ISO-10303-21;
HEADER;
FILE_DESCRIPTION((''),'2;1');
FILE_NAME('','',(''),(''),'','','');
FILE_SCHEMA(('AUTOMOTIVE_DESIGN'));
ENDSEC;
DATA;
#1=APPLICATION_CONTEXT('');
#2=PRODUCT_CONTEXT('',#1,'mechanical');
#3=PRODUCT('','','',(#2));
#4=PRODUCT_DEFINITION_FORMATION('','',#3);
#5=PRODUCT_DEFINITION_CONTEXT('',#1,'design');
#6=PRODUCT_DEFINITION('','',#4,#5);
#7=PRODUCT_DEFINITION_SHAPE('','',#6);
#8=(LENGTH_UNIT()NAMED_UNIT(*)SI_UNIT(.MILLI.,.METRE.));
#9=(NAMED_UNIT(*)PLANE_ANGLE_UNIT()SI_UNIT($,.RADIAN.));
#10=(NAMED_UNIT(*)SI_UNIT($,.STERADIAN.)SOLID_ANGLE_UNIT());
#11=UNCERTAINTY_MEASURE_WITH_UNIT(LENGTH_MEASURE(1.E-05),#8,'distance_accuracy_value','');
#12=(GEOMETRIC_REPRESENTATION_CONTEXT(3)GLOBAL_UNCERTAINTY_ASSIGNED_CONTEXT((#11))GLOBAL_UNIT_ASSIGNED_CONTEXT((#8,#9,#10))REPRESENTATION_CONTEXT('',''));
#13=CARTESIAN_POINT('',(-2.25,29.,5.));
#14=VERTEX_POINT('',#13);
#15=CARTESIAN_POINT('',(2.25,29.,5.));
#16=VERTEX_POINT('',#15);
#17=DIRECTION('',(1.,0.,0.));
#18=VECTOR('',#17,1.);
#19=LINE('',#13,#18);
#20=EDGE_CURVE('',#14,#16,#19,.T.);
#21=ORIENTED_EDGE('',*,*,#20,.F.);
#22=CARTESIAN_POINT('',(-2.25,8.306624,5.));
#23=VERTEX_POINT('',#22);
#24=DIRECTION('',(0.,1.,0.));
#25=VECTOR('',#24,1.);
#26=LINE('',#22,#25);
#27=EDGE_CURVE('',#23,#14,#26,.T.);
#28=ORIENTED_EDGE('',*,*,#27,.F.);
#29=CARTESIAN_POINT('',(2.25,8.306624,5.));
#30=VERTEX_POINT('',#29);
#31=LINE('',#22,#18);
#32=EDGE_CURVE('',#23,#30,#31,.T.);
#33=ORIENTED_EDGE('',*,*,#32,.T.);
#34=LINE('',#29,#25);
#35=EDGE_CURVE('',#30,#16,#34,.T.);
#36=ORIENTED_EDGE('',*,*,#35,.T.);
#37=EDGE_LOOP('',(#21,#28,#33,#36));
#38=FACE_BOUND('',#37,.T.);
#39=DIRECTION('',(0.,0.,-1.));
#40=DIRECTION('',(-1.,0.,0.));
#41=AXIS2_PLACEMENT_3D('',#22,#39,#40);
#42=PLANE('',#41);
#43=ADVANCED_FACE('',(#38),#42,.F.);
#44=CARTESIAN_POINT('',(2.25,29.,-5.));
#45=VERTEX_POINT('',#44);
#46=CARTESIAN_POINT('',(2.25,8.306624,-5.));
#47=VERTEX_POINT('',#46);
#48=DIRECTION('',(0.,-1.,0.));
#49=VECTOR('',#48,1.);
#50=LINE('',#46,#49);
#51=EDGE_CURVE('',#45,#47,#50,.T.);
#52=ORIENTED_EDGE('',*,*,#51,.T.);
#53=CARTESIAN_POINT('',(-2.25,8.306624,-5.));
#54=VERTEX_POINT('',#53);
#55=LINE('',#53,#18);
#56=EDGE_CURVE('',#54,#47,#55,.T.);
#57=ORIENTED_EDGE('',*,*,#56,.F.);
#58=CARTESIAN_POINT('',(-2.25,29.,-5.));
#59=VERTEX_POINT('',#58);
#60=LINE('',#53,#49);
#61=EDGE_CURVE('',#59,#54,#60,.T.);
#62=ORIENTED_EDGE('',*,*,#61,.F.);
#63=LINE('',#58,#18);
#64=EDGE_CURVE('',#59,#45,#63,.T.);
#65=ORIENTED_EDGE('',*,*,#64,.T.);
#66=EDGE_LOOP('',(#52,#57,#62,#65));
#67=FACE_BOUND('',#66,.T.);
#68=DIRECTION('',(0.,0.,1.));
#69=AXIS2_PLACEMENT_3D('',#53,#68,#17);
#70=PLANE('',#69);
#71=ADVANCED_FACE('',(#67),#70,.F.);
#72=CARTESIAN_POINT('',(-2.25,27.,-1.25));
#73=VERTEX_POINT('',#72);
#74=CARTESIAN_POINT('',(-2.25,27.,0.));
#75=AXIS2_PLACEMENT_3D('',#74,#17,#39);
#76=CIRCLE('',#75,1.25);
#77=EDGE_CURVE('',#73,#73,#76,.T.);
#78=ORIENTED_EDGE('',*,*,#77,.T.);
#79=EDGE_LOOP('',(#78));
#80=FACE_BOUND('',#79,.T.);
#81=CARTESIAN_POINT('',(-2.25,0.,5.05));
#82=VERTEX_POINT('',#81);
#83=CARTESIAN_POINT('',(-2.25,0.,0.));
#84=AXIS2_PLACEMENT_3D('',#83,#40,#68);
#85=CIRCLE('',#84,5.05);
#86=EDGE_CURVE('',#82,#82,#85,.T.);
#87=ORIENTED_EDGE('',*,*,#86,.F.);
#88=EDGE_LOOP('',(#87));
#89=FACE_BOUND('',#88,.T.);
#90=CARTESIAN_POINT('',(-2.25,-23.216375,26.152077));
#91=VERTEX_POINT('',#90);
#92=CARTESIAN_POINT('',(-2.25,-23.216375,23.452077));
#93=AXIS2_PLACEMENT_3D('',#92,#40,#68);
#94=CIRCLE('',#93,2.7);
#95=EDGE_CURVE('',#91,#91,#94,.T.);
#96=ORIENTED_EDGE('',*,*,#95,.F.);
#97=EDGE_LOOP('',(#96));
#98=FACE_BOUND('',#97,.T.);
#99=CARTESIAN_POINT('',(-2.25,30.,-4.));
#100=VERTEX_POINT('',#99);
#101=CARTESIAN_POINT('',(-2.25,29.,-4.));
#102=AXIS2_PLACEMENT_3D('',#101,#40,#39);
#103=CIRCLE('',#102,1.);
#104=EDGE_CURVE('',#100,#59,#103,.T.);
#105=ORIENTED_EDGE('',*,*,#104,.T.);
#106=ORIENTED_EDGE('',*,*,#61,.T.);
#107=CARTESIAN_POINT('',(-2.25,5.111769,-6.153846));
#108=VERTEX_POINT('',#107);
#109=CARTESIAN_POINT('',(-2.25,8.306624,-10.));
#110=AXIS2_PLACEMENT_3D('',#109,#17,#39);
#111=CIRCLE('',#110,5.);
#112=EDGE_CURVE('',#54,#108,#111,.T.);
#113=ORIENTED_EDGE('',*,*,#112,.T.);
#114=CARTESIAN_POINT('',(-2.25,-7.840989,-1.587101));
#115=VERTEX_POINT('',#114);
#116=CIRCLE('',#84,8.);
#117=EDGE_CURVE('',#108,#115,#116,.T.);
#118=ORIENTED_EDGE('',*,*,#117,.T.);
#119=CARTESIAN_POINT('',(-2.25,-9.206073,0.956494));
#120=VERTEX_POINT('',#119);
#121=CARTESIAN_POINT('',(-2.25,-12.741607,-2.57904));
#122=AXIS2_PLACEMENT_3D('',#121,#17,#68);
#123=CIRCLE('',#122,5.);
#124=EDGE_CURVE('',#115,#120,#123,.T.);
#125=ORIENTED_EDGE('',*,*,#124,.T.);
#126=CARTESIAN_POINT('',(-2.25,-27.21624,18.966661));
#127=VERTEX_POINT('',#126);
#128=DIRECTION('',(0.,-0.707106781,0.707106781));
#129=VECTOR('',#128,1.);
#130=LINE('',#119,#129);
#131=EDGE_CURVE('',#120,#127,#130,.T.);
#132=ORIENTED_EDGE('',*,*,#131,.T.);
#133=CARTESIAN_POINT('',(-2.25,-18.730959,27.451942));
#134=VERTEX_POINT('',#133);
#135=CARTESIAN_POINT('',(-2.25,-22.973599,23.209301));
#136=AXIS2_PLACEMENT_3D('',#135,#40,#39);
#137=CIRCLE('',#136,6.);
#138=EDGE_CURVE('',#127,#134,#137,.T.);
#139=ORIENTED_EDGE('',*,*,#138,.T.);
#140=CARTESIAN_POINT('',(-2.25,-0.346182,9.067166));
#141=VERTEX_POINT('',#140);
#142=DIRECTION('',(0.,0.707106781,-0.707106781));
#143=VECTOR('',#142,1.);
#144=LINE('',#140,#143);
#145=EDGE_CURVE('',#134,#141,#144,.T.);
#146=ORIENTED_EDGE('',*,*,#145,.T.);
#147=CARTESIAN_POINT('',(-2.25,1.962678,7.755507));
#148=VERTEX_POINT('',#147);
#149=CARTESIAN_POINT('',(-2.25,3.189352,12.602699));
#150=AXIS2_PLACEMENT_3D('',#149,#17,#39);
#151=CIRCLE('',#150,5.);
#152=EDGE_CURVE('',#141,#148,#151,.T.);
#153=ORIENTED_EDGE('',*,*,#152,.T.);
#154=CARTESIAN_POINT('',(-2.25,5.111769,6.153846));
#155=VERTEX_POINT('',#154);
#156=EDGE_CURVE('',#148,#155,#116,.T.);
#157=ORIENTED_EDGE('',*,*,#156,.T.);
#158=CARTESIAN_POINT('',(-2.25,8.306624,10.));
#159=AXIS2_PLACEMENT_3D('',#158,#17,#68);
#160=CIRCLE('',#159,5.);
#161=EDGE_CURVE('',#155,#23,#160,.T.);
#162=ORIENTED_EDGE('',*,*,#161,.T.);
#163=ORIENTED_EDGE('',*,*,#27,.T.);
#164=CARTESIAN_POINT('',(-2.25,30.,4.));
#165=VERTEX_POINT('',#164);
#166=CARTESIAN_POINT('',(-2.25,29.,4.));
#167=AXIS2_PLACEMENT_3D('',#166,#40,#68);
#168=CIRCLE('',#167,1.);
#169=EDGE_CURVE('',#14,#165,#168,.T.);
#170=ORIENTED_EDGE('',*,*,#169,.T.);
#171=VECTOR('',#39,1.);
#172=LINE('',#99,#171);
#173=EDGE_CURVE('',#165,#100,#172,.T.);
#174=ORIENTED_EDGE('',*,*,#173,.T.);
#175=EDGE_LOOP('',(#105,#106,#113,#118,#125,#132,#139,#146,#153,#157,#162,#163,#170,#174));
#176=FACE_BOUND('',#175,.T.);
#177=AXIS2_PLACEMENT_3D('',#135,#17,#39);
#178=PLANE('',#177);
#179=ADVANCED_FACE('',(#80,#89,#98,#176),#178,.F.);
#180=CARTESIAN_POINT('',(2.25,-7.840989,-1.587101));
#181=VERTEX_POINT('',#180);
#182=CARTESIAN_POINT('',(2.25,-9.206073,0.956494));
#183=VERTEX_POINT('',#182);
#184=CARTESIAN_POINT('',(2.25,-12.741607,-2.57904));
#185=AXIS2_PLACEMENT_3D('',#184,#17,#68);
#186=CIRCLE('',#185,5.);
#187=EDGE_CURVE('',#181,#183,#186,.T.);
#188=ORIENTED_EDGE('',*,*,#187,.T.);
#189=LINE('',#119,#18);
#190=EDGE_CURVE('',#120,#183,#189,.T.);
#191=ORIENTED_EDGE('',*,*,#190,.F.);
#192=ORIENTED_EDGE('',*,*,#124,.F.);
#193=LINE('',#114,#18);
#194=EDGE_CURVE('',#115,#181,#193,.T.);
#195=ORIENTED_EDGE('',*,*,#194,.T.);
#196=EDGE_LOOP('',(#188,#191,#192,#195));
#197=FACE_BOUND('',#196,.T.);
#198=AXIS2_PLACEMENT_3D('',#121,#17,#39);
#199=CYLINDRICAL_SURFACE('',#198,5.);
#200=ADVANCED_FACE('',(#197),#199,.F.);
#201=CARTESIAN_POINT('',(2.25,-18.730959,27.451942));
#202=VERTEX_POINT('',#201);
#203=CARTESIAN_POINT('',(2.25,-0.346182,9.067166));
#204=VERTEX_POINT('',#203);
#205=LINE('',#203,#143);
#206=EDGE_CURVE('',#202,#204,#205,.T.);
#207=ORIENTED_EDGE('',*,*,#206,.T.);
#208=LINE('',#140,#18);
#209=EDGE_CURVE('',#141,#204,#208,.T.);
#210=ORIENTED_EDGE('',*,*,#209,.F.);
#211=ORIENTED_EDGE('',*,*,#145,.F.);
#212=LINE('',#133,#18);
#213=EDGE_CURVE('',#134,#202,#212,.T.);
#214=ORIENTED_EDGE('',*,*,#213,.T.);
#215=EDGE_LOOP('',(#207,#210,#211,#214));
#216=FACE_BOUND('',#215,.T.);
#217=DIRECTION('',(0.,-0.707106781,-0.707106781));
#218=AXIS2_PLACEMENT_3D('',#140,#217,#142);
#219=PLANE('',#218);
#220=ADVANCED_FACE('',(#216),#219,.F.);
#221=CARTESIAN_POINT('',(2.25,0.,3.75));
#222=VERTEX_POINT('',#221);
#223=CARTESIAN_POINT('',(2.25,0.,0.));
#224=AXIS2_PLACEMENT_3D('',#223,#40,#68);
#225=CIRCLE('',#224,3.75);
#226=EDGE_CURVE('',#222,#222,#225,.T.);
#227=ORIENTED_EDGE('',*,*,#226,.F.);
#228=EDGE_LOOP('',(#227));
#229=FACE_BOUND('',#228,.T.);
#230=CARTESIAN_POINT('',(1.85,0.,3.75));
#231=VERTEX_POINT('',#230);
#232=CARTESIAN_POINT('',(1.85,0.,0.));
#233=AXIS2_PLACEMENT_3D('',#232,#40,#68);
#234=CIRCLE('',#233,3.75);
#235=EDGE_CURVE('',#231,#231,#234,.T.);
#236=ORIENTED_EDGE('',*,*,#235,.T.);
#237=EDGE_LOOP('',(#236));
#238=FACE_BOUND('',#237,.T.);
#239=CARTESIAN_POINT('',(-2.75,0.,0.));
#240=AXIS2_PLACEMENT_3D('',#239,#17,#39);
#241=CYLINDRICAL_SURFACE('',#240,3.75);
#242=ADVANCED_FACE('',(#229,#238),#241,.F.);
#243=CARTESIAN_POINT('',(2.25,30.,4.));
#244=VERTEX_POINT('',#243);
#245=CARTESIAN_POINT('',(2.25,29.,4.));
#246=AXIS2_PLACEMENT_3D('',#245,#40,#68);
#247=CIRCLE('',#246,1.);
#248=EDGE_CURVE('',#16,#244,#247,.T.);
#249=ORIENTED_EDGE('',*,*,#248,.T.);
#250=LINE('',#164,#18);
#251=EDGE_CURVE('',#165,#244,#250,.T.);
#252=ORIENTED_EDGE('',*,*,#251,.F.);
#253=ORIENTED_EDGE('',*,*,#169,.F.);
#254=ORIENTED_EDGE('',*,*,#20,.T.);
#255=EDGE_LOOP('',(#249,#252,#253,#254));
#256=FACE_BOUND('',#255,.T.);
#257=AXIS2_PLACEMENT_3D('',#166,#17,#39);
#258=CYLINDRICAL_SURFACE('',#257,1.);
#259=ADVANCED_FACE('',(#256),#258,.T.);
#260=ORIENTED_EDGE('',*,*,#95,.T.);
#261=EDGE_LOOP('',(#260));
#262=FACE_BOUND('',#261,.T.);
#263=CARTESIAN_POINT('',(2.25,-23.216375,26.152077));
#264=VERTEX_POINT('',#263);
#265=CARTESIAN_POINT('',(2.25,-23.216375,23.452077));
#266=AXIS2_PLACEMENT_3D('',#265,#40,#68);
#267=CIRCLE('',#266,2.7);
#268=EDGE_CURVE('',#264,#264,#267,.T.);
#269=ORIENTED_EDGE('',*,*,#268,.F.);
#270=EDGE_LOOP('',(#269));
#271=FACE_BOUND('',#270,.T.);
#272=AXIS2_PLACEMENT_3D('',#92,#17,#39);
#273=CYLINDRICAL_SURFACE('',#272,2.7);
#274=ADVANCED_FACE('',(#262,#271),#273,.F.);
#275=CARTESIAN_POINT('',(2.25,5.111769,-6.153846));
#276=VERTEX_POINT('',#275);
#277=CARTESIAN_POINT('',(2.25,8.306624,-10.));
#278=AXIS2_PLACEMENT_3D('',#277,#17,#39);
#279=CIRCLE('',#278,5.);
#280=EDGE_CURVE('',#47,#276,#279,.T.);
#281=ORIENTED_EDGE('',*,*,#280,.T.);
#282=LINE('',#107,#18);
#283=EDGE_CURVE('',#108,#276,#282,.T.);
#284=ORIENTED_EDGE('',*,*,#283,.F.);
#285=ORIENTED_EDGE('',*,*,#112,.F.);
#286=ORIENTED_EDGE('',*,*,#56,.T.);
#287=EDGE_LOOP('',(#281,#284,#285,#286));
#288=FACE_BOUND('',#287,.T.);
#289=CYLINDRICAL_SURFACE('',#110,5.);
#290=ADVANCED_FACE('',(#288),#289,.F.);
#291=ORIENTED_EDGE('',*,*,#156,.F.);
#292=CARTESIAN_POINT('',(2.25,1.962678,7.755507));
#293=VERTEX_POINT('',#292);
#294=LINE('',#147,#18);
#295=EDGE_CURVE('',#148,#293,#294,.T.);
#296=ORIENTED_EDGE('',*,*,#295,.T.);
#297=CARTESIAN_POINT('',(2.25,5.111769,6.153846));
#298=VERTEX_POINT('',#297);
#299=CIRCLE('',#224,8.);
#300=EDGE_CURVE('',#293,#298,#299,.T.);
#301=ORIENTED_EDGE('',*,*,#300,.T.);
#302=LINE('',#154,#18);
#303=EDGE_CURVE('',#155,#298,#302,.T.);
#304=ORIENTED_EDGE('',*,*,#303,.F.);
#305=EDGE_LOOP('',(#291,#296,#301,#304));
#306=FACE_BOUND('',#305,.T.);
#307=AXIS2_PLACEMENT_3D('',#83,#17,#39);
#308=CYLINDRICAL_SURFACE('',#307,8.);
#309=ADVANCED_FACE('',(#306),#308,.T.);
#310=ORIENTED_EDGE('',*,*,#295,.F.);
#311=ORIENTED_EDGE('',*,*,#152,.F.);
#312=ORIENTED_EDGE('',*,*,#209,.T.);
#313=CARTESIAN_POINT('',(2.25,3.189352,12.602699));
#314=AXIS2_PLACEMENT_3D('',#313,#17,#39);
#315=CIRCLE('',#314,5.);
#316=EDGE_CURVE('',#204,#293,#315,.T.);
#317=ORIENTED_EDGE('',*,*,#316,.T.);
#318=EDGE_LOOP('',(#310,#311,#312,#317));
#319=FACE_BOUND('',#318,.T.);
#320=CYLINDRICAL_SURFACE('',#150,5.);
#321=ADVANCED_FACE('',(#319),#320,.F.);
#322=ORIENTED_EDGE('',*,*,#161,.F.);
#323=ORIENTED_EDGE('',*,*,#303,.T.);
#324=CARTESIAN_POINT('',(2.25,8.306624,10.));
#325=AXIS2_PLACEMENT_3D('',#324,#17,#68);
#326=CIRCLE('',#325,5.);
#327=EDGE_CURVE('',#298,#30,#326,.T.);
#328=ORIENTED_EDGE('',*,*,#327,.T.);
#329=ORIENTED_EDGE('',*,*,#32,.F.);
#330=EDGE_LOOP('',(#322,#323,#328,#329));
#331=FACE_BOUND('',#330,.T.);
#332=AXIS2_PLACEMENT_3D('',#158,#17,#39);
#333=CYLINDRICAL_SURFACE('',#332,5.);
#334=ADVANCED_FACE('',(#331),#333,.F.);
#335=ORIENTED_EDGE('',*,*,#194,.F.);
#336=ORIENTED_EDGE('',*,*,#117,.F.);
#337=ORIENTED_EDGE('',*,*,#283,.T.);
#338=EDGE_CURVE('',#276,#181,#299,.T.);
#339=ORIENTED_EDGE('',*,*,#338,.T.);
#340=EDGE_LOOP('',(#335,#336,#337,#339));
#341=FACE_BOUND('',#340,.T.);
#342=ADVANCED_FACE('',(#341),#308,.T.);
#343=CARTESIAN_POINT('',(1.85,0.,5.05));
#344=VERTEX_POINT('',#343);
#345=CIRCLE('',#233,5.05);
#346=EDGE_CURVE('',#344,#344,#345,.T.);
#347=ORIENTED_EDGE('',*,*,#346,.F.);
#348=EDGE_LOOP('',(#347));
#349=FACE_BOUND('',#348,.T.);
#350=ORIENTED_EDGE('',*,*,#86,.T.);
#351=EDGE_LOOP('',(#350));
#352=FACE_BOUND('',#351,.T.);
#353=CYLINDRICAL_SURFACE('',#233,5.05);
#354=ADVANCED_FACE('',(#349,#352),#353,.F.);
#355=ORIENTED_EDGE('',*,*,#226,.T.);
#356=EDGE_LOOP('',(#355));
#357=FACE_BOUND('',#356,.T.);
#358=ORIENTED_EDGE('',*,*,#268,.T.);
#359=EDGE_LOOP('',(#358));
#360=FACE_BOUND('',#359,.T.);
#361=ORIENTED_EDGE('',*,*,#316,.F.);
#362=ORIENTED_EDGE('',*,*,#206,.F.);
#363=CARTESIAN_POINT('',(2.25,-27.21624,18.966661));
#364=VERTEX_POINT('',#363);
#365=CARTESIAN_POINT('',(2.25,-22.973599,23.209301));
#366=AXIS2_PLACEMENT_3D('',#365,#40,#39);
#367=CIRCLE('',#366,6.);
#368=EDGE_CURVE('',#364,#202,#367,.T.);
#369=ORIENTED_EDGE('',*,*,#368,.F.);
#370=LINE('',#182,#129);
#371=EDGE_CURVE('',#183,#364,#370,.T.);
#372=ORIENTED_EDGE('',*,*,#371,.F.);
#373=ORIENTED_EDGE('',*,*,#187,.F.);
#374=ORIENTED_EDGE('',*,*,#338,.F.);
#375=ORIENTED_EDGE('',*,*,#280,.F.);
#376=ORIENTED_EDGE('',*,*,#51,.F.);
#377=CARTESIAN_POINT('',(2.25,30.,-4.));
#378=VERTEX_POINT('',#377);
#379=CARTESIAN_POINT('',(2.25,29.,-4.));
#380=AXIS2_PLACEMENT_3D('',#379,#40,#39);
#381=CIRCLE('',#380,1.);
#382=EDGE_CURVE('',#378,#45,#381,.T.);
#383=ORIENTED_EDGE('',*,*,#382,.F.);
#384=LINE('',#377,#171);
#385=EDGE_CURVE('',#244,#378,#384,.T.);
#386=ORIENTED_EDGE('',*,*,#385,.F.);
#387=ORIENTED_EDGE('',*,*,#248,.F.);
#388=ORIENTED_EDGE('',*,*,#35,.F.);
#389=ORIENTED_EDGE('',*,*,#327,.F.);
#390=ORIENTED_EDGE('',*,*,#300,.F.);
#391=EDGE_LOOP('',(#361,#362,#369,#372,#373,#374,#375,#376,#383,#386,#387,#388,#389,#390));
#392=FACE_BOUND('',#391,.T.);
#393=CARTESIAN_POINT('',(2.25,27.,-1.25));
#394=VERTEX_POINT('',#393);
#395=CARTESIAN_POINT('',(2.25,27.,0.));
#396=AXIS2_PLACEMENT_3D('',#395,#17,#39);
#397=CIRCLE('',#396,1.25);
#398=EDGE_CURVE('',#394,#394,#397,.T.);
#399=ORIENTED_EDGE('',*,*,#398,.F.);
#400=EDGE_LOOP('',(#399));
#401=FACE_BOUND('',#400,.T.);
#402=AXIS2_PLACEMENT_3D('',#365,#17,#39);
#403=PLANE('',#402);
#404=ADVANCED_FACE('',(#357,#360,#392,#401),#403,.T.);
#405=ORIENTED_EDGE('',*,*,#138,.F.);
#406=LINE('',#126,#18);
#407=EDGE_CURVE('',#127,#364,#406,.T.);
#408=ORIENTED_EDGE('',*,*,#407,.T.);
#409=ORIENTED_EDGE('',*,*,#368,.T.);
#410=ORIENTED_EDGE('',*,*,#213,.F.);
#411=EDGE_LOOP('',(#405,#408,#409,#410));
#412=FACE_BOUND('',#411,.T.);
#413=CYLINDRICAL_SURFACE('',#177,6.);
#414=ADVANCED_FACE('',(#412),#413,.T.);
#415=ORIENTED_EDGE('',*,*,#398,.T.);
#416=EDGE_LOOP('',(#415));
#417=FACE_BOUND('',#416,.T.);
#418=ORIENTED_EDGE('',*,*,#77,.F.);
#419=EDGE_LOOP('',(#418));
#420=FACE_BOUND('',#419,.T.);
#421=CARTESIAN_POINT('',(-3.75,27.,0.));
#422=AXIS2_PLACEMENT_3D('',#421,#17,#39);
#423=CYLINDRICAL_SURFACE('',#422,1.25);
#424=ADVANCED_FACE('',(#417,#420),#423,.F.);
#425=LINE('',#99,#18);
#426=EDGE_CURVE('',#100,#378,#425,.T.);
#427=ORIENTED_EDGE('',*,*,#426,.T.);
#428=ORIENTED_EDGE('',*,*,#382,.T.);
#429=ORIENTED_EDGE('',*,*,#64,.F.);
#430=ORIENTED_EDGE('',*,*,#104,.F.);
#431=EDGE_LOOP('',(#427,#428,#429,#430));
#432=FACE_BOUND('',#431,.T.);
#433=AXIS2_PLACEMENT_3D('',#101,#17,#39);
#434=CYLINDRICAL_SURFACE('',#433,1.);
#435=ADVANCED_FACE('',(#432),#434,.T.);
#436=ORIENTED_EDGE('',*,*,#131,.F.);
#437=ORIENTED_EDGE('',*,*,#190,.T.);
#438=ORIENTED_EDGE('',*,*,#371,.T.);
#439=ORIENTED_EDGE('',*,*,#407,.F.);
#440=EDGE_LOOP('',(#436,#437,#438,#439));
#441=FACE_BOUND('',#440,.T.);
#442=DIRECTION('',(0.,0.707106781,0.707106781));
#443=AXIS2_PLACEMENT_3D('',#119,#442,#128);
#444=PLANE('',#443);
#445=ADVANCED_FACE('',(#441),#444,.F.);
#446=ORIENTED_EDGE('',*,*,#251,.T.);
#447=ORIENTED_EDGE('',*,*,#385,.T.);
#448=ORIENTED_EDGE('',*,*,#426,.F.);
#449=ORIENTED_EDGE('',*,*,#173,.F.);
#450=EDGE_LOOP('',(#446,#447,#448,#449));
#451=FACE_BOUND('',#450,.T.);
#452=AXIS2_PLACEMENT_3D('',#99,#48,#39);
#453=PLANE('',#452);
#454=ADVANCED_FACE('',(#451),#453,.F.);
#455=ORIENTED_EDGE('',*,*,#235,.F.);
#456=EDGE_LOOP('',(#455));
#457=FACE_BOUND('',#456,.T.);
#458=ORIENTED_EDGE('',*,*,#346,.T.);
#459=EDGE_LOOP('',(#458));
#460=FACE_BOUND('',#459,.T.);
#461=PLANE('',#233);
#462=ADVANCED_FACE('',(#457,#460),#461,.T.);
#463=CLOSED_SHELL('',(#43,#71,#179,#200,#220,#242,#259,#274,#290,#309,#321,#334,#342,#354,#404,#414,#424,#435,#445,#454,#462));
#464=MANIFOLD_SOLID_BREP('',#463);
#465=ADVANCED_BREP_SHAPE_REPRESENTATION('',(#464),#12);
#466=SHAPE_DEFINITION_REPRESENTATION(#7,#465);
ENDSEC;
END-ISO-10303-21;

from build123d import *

# Parameters (mm, degrees)
SKETCH_1_R          = 2.7
EXTRUDE_1_DEPTH     = 2.25
SKETCH_4_R          = 3.75
CUT_EXTRUDE_2_DEPTH = 5
SKETCH_7_R          = 5.05
CUT_EXTRUDE_4_DEPTH = 4.1
SKETCH_8_R          = 1.25
CUT_EXTRUDE_5_DEPTH = 6


with BuildPart() as part:
    # 草图1 → 凸台-拉伸1 (new body, symmetric)
    with BuildSketch(Plane.ZY):
        with BuildLine():
            Line((-4, 30), (4, 30))
            ThreePointArc((4, 30), (4.707106781, 29.707106781), (5, 29))
            Line((5, 29), (5, 8.306623863))
            ThreePointArc((5, 8.306623863), (5.297300284, 6.608208312), (6.153846154, 5.111768531))
            ThreePointArc((6.153846154, 5.111768531), (7.130688706, 3.626744901), (7.755507367, 1.962678138))
            ThreePointArc((7.755507367, 1.962678138), (8.255259703, 0.719581246), (9.067165566, -0.346181931))
            Line((9.067165566, -0.346181931), (27.451942184, -18.730958549))
            ThreePointArc((27.451942184, -18.730958549), (27.451942184, -27.216239924), (18.96666081, -27.216239924))
            Line((18.96666081, -27.216239924), (0.956494183, -9.206073297))
            ThreePointArc((0.956494183, -9.206073297), (-0.214644447, -8.335970475), (-1.587101368, -7.840989048))
            ThreePointArc((-1.587101368, -7.840989048), (-7.544802804, -2.660065909), (-6.153846154, 5.111768531))
            ThreePointArc((-6.153846154, 5.111768531), (-5.297300284, 6.608208312), (-5, 8.306623863))
            Line((-5, 8.306623863), (-5, 29))
            ThreePointArc((-5, 29), (-4.707106781, 29.707106781), (-4, 30))
        make_face()
        with Locations((23.452077304, -23.216375043)):
            Circle(SKETCH_1_R, mode=Mode.SUBTRACT)
    extrude(amount=EXTRUDE_1_DEPTH, both=True)

    # 草图4 → 切除-拉伸2 (cut)
    with BuildSketch(Plane.ZY.offset(-2.25)):
        Circle(SKETCH_4_R)
    extrude(amount=CUT_EXTRUDE_2_DEPTH, mode=Mode.SUBTRACT)

    # 草图7 → 切除-拉伸4 (cut)
    with BuildSketch(Plane.ZY.offset(2.25)):
        Circle(SKETCH_7_R)
    extrude(amount=-CUT_EXTRUDE_4_DEPTH, mode=Mode.SUBTRACT)

    # 草图8 → 切除-拉伸5 (cut)
    with BuildSketch(Plane(origin=(2.25, 0, 0), x_dir=(0, 0, -1), z_dir=(1, 0, 0))):
        with Locations((0, 27)):
            Circle(SKETCH_8_R)
    extrude(amount=-CUT_EXTRUDE_5_DEPTH, mode=Mode.SUBTRACT)


solid = part.part
